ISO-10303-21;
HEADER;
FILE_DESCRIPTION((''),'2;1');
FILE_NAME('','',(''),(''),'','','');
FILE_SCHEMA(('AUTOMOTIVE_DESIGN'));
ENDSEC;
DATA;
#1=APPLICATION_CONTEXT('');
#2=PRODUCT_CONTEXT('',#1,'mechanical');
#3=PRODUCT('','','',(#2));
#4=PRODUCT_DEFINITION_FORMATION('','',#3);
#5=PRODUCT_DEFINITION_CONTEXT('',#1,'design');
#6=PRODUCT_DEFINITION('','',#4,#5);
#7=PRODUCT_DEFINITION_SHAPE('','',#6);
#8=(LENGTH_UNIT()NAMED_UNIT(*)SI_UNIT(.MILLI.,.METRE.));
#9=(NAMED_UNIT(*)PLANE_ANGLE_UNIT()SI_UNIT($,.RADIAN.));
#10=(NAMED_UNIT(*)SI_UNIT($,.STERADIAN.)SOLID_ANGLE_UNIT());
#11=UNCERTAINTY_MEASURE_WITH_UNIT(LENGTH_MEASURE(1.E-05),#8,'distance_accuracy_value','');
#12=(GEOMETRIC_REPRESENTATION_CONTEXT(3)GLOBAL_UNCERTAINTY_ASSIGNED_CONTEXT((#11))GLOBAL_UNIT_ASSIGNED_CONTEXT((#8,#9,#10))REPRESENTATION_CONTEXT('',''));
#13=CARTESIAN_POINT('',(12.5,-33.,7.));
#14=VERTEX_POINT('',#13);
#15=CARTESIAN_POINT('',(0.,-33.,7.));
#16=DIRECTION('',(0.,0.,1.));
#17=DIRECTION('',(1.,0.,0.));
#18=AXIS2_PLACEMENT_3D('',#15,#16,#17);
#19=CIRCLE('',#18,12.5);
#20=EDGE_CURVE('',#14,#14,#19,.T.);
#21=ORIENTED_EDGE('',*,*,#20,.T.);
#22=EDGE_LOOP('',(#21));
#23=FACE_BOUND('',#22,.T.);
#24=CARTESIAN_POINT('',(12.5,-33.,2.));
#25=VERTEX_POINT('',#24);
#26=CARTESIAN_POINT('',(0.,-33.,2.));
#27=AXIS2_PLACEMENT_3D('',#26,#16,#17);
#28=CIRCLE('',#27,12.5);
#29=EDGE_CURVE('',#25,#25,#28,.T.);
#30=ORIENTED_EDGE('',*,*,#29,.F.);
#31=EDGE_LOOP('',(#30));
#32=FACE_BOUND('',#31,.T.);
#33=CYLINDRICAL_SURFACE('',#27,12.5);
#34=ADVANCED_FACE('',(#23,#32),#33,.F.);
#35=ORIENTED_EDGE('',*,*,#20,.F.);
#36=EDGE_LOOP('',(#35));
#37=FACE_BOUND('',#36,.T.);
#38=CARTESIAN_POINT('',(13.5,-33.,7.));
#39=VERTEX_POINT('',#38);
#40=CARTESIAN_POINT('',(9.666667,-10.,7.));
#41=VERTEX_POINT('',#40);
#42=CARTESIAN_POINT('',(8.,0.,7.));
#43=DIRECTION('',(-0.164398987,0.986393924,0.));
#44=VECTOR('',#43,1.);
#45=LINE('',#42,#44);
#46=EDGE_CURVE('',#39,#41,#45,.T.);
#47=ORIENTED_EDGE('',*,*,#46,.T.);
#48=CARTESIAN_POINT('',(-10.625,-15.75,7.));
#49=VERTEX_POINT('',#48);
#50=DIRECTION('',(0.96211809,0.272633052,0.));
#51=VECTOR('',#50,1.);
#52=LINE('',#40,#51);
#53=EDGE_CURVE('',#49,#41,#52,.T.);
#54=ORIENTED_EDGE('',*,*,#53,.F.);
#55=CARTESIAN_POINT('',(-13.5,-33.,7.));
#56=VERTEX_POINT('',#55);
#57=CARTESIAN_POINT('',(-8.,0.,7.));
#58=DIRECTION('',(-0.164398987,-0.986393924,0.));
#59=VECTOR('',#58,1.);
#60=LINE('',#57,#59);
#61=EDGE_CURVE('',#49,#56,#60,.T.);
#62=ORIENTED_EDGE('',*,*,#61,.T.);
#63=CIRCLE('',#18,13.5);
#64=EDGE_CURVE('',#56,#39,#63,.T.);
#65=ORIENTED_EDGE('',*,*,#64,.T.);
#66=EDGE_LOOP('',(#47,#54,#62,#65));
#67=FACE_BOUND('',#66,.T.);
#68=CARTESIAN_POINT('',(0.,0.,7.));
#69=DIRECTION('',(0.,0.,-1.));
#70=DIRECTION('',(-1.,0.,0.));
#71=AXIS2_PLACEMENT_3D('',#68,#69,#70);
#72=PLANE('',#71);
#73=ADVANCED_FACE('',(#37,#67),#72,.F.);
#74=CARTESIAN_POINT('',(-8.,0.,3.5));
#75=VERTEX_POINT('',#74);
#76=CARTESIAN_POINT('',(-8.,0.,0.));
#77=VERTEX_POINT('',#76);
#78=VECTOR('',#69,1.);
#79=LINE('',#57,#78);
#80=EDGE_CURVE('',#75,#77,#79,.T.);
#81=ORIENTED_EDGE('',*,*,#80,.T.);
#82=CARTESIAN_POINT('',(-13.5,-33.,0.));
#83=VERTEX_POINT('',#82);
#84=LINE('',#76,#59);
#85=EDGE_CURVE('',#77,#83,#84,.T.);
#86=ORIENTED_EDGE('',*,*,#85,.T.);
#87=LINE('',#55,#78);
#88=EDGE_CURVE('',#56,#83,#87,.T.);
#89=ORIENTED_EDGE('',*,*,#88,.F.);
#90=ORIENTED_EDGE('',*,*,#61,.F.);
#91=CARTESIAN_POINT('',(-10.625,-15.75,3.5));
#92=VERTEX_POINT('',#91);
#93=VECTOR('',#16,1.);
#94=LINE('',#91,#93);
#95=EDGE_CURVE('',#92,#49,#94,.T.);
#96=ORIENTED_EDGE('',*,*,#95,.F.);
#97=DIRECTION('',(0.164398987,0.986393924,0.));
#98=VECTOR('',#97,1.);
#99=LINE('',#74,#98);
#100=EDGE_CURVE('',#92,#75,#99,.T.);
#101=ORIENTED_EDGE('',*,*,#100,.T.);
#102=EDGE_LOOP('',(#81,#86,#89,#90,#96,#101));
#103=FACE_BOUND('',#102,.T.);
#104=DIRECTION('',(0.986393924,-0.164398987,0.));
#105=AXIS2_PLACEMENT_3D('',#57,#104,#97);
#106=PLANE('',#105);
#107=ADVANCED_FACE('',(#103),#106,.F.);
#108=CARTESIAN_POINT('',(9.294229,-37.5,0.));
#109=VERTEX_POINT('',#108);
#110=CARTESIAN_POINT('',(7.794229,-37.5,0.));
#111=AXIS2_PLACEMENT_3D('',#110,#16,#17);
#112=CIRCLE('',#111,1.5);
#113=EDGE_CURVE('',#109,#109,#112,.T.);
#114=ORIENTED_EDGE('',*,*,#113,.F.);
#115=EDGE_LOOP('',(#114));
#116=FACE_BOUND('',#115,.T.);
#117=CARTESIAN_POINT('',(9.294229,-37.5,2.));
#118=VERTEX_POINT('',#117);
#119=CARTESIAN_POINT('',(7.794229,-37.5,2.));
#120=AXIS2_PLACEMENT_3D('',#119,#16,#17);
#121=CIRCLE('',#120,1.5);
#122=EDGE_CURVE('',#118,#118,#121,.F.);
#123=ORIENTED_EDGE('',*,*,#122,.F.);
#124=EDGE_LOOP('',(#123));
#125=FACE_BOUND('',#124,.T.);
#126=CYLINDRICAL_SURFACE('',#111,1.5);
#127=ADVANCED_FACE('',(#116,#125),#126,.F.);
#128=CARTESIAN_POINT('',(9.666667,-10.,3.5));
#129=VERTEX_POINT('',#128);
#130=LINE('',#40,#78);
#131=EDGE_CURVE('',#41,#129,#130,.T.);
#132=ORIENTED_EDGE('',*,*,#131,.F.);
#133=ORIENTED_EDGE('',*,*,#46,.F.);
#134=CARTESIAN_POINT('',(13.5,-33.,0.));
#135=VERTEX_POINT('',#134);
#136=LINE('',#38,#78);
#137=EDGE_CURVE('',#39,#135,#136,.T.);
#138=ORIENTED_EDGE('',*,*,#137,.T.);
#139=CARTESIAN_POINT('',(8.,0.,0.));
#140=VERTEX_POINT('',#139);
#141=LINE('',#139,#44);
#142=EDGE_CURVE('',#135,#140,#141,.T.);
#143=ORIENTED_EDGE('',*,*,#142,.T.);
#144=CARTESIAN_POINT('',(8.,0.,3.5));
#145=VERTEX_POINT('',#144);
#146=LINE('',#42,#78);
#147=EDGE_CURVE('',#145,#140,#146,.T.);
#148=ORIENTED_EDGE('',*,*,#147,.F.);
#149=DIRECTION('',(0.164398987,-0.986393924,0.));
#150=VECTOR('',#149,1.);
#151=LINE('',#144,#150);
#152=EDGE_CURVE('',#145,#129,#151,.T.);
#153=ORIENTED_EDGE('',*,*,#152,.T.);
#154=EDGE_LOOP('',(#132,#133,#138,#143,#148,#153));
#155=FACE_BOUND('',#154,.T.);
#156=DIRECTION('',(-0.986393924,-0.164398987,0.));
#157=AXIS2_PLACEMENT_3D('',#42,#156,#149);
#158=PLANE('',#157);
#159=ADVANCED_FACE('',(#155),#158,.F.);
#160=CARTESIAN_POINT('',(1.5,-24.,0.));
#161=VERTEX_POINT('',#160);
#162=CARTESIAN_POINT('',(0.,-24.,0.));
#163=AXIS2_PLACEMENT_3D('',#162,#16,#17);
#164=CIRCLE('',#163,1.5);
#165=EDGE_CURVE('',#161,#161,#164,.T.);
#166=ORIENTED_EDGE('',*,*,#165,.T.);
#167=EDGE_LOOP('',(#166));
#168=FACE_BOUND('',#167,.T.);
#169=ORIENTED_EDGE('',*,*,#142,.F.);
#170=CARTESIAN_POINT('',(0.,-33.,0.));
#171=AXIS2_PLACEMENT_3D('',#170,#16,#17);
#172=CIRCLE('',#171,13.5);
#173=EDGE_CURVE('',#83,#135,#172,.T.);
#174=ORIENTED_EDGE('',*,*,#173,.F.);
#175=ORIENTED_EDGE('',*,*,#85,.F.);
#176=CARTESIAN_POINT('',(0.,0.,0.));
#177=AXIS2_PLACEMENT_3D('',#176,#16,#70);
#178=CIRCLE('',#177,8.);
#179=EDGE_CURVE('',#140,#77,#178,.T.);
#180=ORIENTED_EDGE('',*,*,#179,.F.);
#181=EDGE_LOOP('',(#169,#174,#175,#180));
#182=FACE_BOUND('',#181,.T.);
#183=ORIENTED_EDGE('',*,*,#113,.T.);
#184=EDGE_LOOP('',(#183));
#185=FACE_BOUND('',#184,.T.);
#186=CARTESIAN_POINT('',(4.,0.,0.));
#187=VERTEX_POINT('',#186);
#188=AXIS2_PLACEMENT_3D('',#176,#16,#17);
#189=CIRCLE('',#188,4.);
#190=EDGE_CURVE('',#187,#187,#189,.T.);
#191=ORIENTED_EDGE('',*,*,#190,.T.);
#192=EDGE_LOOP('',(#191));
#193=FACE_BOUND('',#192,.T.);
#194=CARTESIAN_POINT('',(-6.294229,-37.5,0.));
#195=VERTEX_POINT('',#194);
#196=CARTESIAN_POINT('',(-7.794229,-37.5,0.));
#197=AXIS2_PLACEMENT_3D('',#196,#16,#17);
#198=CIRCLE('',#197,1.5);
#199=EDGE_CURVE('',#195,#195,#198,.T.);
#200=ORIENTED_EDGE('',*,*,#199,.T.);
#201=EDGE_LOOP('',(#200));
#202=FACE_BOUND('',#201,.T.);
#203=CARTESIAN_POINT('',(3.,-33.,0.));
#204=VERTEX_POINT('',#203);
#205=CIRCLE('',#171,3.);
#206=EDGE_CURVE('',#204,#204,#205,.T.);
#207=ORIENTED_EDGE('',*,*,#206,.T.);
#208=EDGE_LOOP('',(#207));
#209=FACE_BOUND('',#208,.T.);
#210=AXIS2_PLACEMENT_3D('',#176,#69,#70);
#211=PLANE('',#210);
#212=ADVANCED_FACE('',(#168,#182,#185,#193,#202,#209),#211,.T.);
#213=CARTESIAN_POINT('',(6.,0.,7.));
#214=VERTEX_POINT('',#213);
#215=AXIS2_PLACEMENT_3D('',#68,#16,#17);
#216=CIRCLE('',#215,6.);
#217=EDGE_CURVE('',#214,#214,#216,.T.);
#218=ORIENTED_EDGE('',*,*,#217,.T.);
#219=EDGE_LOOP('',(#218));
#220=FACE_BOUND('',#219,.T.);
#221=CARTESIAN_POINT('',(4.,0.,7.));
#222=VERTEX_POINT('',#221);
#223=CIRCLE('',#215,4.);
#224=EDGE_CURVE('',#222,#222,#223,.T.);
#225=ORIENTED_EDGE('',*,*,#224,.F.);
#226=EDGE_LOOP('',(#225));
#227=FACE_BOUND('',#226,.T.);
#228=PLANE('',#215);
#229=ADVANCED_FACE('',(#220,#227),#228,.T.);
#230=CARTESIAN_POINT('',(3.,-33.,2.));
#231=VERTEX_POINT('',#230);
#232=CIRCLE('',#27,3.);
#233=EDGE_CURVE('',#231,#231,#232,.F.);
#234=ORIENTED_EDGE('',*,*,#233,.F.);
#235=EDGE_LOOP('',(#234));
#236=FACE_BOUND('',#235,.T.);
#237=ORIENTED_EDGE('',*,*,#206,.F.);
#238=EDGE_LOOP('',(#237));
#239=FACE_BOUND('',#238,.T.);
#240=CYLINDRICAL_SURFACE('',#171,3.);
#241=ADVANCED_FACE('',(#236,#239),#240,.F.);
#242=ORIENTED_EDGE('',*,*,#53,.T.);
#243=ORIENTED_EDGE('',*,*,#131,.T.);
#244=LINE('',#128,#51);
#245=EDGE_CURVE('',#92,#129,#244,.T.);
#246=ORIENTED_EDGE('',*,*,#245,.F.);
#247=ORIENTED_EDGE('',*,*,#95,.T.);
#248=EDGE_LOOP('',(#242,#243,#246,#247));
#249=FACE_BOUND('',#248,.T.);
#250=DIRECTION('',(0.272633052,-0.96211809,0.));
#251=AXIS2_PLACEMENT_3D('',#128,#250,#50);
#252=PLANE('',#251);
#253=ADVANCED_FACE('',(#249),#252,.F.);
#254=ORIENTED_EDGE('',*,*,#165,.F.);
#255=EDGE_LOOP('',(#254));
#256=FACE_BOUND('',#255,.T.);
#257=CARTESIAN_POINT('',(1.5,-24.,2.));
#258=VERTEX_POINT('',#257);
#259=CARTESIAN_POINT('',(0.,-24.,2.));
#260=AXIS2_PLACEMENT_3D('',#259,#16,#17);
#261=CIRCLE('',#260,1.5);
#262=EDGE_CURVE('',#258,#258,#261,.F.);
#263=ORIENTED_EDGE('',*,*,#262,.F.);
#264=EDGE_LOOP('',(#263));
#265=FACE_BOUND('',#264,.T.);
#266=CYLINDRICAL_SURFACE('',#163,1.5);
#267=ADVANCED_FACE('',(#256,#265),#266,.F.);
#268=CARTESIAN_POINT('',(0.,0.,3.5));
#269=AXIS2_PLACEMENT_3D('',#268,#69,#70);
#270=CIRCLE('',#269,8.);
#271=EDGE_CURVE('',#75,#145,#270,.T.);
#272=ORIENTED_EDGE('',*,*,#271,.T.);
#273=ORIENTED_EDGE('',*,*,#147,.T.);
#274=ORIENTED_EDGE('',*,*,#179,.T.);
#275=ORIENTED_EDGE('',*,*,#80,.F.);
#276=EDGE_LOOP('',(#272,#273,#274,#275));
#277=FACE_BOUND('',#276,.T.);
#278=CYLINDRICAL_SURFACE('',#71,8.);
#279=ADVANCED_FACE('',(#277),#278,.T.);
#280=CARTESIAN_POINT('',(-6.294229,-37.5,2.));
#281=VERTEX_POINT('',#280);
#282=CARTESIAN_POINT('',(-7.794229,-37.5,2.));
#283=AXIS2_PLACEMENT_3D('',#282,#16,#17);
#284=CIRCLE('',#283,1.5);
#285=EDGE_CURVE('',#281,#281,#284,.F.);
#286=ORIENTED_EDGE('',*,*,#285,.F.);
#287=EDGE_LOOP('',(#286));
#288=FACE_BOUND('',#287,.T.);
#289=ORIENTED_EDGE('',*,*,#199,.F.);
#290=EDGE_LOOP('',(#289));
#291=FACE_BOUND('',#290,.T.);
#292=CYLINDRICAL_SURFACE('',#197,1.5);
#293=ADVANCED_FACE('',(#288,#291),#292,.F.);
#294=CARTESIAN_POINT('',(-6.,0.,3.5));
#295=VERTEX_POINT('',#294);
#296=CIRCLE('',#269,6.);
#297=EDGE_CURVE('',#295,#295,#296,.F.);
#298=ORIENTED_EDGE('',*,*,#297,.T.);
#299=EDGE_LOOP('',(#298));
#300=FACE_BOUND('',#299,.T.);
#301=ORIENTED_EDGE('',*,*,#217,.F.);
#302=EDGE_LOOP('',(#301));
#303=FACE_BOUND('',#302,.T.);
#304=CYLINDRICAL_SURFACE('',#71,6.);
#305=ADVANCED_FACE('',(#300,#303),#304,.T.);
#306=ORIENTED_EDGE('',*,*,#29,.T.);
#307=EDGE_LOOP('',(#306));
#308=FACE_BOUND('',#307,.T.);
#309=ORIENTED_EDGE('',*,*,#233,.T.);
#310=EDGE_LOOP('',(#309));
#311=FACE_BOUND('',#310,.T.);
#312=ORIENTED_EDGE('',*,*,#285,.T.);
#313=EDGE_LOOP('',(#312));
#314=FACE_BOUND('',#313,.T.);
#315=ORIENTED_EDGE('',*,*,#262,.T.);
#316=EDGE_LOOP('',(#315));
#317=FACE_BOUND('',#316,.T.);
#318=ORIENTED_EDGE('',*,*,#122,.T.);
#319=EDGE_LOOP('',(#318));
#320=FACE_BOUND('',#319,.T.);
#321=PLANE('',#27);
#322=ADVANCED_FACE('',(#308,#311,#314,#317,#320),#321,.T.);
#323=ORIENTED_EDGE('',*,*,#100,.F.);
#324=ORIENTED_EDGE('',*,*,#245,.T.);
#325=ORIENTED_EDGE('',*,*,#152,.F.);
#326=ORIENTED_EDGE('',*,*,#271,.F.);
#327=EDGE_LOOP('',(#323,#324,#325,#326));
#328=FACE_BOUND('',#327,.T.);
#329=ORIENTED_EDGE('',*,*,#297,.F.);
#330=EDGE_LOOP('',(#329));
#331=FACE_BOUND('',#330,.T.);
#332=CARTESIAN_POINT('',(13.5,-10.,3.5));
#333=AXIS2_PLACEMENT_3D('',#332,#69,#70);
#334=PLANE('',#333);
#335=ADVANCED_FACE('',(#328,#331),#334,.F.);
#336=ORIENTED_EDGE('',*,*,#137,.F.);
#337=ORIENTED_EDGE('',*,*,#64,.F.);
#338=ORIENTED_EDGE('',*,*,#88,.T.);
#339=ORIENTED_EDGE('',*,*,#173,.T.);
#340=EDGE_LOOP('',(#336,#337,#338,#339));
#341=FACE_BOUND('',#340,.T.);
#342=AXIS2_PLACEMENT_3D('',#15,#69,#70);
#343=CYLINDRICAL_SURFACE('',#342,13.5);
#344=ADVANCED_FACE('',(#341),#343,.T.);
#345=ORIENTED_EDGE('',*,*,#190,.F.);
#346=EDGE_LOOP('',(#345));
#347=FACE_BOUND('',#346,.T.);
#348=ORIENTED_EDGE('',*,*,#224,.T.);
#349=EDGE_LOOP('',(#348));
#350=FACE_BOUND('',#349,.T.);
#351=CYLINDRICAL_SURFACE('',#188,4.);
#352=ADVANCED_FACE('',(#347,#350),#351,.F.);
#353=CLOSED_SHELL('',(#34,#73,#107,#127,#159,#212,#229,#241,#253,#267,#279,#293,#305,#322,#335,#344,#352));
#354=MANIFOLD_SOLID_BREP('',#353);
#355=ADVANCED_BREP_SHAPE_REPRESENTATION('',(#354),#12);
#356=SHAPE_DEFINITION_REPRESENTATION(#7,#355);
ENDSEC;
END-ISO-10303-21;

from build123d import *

# Parameters (mm, degrees)
BOSS_EXTRU_1_DEPTH      = 7
ESQUISSE2_R             = 3
ENL_V_MAT_EXTRU_1_DEPTH = 7
ESQUISSE3_R             = 1.5
ENL_V_MAT_EXTRU_2_DEPTH = 7
ESQUISSE5_R             = 12.5
ENL_V_MAT_EXTRU_5_DEPTH = 5
ESQUISSE10_W            = 27
ESQUISSE10_H            = 3.5
ENL_V_MAT_EXTRU_6_DEPTH = 20
ESQUISSE12_R            = 6
BOSS_EXTRU_3_DEPTH      = 3.5
ESQUISSE13_R            = 4
ENL_V_MAT_EXTRU_7_DEPTH = 49.92340953
ENL_V_MAT_EXTRU_8_DEPTH = 3.5


with BuildPart() as part:
    # Esquisse1 → Boss.-Extru.1 (new body)
    with BuildSketch(Plane.XY):
        with BuildLine():
            Line((8, 0), (13.5, -33))
            ThreePointArc((13.5, -33), (0, -46.5), (-13.5, -33))
            Line((-13.5, -33), (-8, 0))
            ThreePointArc((-8, 0), (0, 8), (8, 0))
        make_face()
    extrude(amount=BOSS_EXTRU_1_DEPTH)

    # Esquisse2 → Enlèv. mat.-Extru.1 (cut)
    with BuildSketch(Plane.XY.offset(7)):
        with Locations((0, -33)):
            Circle(ESQUISSE2_R)
    extrude(amount=-ENL_V_MAT_EXTRU_1_DEPTH, mode=Mode.SUBTRACT)

    # Esquisse3 → Enlèv. mat.-Extru.2 (cut)
    with BuildSketch(Plane.XY.offset(7)):
        with Locations((0, -24)):
            Circle(ESQUISSE3_R)
        with Locations((-7.794228634, -37.5)):
            Circle(ESQUISSE3_R)
        with Locations((7.794228634, -37.5)):
            Circle(ESQUISSE3_R)
    extrude(amount=-ENL_V_MAT_EXTRU_2_DEPTH, mode=Mode.SUBTRACT)

    # Esquisse5 → Enlèv. mat.-Extru.5 (cut)
    with BuildSketch(Plane.XY.offset(7)):
        with Locations((0, -33)):
            Circle(ESQUISSE5_R)
    extrude(amount=-ENL_V_MAT_EXTRU_5_DEPTH, mode=Mode.SUBTRACT)

    # Esquisse10 → Enlèv. mat.-Extru.6 (cut)
    with BuildSketch(Plane(origin=(0, 10, 0), x_dir=(1, 0, 0), z_dir=(0, 1, 0))):
        with Locations((0, -5.25)):
            Rectangle(ESQUISSE10_W, ESQUISSE10_H)
    extrude(amount=-ENL_V_MAT_EXTRU_6_DEPTH, mode=Mode.SUBTRACT)

    # Esquisse12 → Boss.-Extru.3 (add)
    with BuildSketch(Plane.XY.offset(3.5)):
        with Locations(Location((0, 0, 0), (0, 0, 180))):
            Circle(ESQUISSE12_R)
    extrude(amount=BOSS_EXTRU_3_DEPTH)

    # Esquisse13 → Enlèv. mat.-Extru.7 (cut, through all)
    with BuildSketch(Plane.XY.offset(7)):
        Circle(ESQUISSE13_R)
    extrude(amount=-ENL_V_MAT_EXTRU_7_DEPTH, mode=Mode.SUBTRACT)

    # Esquisse14 → Enlèv. mat.-Extru.8 (cut)
    with BuildSketch(Plane.XY.offset(7)):
        Polygon((9.666666667, -10), (-10.625, -15.75), (-9.666666667, -10), align=None)
    extrude(amount=-ENL_V_MAT_EXTRU_8_DEPTH, mode=Mode.SUBTRACT)


solid = part.part
